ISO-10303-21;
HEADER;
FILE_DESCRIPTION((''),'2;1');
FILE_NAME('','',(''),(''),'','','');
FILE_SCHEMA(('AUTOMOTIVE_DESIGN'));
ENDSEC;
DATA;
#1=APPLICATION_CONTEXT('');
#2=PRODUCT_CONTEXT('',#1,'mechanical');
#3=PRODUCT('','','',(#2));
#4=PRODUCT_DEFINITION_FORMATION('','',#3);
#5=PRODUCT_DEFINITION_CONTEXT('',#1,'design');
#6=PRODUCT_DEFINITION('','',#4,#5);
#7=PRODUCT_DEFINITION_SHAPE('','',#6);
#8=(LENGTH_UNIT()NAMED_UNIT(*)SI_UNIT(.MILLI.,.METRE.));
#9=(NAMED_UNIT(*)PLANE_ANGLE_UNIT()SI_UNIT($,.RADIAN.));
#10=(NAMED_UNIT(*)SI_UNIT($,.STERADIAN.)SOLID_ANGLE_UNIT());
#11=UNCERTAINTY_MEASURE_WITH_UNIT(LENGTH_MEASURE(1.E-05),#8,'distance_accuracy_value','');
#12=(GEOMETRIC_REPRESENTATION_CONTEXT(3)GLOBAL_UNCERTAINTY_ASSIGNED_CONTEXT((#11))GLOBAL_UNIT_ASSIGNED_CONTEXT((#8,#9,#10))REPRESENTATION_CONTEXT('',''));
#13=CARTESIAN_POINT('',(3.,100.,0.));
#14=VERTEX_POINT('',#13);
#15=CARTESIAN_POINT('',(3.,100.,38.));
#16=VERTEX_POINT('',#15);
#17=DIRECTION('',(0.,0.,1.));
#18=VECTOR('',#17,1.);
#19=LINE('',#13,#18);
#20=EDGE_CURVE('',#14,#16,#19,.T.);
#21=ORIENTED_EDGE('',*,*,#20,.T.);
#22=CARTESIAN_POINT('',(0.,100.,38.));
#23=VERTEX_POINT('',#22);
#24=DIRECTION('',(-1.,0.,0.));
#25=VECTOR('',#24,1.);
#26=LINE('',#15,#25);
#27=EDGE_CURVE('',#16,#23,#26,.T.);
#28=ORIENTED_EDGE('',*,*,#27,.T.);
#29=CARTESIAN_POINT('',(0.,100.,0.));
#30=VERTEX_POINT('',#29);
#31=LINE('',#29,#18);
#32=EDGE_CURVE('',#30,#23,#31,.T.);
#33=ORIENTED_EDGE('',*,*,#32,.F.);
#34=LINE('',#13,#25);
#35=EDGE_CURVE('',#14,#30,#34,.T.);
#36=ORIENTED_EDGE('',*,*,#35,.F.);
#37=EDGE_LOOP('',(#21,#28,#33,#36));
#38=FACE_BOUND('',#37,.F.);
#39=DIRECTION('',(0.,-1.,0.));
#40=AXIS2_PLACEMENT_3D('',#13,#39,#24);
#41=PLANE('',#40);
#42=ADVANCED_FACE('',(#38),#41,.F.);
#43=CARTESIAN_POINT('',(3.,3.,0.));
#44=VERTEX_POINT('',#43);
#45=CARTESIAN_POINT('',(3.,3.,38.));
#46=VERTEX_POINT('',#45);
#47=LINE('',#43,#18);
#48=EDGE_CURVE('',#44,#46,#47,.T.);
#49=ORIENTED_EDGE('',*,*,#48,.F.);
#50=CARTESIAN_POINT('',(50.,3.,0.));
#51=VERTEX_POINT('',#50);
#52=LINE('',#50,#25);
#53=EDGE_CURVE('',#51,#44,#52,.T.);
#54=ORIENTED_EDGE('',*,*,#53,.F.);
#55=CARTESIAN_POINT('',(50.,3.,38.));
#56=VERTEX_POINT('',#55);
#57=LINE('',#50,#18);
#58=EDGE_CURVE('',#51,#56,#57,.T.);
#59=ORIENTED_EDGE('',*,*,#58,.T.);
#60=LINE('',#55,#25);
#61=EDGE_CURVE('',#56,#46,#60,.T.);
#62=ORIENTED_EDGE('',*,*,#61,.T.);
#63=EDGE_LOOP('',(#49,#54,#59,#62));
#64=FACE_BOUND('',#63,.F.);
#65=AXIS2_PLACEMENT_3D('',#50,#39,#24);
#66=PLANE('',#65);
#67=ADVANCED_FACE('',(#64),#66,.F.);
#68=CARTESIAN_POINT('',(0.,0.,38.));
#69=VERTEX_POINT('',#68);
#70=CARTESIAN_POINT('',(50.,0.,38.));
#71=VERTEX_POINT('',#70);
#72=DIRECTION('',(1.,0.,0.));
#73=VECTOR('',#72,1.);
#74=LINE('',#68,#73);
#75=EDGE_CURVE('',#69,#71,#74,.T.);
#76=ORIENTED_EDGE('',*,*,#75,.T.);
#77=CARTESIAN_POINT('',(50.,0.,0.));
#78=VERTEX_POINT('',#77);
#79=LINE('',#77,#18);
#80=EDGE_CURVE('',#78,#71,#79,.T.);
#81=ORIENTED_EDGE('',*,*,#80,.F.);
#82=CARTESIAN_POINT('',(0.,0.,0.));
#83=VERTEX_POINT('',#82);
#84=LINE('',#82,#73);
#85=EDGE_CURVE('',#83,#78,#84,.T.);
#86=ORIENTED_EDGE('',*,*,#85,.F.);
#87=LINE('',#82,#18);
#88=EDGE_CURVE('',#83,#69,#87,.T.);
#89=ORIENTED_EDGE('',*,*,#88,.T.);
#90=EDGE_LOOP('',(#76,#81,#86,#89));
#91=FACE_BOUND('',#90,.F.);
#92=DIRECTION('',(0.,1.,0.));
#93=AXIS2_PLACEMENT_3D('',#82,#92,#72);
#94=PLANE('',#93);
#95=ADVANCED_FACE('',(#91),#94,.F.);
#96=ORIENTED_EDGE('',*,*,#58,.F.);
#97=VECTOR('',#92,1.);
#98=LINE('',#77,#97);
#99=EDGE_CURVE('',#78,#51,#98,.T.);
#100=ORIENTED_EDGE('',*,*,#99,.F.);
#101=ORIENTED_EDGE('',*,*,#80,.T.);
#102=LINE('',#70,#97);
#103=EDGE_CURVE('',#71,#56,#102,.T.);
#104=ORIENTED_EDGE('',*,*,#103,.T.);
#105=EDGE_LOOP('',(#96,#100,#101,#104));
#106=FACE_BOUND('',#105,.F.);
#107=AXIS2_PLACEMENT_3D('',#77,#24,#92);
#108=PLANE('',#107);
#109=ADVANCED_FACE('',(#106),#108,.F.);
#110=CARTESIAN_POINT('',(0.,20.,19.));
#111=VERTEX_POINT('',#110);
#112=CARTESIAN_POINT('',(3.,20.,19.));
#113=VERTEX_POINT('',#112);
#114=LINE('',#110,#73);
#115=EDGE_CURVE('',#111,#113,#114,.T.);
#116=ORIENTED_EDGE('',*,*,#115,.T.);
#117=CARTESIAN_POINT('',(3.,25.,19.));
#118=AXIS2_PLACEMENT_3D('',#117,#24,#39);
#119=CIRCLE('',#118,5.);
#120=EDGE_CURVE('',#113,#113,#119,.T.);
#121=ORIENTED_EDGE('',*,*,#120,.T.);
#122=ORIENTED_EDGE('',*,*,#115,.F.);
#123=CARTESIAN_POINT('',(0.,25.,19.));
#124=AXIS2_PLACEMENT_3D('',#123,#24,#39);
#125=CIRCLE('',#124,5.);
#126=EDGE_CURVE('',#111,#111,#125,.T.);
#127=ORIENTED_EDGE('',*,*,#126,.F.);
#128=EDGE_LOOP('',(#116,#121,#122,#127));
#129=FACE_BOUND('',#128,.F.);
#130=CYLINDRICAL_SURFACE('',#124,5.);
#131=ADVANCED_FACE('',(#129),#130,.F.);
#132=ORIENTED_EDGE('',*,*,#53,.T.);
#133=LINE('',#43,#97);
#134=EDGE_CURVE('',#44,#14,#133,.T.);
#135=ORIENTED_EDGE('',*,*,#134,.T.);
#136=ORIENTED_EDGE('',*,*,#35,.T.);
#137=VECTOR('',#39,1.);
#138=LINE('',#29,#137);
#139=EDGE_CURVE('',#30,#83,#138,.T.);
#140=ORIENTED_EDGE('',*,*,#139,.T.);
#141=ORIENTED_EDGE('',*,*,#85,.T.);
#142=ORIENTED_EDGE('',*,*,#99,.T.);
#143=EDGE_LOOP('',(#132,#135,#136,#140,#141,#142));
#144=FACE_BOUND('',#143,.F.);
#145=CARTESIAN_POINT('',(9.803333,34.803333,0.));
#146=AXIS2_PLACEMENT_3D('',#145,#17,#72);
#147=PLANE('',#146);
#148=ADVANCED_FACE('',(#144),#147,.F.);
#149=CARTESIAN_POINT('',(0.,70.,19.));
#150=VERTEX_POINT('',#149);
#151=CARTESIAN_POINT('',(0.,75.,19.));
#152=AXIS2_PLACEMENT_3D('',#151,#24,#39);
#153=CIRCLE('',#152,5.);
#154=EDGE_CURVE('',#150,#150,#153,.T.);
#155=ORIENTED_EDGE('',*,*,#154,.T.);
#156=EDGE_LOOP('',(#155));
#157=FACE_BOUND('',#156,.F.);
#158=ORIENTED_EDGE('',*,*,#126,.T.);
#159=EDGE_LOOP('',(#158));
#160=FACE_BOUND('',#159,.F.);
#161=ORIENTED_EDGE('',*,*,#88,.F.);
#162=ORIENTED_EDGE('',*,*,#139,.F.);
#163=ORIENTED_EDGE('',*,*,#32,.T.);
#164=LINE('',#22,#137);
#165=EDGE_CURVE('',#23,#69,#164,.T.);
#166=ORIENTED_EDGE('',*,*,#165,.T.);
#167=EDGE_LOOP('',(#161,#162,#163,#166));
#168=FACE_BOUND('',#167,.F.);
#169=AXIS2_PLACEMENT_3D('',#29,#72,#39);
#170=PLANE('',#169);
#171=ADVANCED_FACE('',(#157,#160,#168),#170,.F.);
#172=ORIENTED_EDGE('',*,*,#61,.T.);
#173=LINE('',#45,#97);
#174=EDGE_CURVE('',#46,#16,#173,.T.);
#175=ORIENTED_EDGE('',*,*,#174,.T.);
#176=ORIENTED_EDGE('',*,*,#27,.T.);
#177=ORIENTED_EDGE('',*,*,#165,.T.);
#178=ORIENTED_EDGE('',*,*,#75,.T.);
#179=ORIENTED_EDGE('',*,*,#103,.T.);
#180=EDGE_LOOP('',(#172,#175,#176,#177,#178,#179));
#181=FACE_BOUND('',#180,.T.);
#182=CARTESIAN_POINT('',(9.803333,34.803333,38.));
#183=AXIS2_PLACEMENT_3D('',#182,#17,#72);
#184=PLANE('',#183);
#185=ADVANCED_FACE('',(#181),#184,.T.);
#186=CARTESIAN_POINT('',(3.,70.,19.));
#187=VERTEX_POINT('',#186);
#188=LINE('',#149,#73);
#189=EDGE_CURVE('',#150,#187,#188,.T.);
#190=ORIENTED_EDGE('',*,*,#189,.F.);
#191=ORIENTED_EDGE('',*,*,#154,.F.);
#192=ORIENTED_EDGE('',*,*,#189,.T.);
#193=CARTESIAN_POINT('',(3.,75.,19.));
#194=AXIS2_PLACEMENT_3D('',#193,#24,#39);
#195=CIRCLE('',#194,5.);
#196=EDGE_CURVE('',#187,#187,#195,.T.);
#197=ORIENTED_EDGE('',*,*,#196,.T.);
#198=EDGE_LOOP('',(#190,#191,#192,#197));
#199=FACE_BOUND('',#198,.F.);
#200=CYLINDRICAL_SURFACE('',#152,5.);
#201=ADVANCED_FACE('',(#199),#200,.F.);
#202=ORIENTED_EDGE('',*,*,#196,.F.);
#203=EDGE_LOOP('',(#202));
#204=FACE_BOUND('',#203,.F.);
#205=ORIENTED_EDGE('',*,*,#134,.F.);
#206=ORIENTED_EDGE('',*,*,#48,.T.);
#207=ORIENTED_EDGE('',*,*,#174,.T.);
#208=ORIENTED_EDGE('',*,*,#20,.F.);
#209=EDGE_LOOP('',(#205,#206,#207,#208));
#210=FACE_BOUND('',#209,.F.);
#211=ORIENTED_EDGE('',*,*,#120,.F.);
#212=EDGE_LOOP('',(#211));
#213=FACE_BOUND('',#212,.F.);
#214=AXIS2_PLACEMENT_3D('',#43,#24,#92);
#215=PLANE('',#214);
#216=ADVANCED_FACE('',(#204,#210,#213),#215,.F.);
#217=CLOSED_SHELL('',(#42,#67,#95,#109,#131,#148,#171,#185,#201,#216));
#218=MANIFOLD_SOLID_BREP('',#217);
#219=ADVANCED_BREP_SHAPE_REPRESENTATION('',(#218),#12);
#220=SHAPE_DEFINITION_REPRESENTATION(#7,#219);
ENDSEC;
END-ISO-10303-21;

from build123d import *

# Parameters (mm, degrees)
F1_DEPTH = 38
F2_R     = 5
F3_DEPTH = 25


with BuildPart() as f1:
    # F0 (on Top) → F1 (new body)
    with BuildSketch(Plane.XY):
        Polygon((0, 3), (0, 0), (3, 0), (50, 0), (50, 3), (3, 3), (3, 100), (0, 100), align=None)
    extrude(amount=F1_DEPTH)

    # F2 (on face) → F3 (cut)
    with BuildSketch(Plane(origin=(0, 0, 0), x_dir=(0, -1, 0), z_dir=(-1, 0, 0))):
        with Locations((-75, 19)):
            Circle(F2_R)
        with Locations((-25, 19)):
            Circle(F2_R)
    extrude(amount=-F3_DEPTH, mode=Mode.SUBTRACT)


solid = f1.part
